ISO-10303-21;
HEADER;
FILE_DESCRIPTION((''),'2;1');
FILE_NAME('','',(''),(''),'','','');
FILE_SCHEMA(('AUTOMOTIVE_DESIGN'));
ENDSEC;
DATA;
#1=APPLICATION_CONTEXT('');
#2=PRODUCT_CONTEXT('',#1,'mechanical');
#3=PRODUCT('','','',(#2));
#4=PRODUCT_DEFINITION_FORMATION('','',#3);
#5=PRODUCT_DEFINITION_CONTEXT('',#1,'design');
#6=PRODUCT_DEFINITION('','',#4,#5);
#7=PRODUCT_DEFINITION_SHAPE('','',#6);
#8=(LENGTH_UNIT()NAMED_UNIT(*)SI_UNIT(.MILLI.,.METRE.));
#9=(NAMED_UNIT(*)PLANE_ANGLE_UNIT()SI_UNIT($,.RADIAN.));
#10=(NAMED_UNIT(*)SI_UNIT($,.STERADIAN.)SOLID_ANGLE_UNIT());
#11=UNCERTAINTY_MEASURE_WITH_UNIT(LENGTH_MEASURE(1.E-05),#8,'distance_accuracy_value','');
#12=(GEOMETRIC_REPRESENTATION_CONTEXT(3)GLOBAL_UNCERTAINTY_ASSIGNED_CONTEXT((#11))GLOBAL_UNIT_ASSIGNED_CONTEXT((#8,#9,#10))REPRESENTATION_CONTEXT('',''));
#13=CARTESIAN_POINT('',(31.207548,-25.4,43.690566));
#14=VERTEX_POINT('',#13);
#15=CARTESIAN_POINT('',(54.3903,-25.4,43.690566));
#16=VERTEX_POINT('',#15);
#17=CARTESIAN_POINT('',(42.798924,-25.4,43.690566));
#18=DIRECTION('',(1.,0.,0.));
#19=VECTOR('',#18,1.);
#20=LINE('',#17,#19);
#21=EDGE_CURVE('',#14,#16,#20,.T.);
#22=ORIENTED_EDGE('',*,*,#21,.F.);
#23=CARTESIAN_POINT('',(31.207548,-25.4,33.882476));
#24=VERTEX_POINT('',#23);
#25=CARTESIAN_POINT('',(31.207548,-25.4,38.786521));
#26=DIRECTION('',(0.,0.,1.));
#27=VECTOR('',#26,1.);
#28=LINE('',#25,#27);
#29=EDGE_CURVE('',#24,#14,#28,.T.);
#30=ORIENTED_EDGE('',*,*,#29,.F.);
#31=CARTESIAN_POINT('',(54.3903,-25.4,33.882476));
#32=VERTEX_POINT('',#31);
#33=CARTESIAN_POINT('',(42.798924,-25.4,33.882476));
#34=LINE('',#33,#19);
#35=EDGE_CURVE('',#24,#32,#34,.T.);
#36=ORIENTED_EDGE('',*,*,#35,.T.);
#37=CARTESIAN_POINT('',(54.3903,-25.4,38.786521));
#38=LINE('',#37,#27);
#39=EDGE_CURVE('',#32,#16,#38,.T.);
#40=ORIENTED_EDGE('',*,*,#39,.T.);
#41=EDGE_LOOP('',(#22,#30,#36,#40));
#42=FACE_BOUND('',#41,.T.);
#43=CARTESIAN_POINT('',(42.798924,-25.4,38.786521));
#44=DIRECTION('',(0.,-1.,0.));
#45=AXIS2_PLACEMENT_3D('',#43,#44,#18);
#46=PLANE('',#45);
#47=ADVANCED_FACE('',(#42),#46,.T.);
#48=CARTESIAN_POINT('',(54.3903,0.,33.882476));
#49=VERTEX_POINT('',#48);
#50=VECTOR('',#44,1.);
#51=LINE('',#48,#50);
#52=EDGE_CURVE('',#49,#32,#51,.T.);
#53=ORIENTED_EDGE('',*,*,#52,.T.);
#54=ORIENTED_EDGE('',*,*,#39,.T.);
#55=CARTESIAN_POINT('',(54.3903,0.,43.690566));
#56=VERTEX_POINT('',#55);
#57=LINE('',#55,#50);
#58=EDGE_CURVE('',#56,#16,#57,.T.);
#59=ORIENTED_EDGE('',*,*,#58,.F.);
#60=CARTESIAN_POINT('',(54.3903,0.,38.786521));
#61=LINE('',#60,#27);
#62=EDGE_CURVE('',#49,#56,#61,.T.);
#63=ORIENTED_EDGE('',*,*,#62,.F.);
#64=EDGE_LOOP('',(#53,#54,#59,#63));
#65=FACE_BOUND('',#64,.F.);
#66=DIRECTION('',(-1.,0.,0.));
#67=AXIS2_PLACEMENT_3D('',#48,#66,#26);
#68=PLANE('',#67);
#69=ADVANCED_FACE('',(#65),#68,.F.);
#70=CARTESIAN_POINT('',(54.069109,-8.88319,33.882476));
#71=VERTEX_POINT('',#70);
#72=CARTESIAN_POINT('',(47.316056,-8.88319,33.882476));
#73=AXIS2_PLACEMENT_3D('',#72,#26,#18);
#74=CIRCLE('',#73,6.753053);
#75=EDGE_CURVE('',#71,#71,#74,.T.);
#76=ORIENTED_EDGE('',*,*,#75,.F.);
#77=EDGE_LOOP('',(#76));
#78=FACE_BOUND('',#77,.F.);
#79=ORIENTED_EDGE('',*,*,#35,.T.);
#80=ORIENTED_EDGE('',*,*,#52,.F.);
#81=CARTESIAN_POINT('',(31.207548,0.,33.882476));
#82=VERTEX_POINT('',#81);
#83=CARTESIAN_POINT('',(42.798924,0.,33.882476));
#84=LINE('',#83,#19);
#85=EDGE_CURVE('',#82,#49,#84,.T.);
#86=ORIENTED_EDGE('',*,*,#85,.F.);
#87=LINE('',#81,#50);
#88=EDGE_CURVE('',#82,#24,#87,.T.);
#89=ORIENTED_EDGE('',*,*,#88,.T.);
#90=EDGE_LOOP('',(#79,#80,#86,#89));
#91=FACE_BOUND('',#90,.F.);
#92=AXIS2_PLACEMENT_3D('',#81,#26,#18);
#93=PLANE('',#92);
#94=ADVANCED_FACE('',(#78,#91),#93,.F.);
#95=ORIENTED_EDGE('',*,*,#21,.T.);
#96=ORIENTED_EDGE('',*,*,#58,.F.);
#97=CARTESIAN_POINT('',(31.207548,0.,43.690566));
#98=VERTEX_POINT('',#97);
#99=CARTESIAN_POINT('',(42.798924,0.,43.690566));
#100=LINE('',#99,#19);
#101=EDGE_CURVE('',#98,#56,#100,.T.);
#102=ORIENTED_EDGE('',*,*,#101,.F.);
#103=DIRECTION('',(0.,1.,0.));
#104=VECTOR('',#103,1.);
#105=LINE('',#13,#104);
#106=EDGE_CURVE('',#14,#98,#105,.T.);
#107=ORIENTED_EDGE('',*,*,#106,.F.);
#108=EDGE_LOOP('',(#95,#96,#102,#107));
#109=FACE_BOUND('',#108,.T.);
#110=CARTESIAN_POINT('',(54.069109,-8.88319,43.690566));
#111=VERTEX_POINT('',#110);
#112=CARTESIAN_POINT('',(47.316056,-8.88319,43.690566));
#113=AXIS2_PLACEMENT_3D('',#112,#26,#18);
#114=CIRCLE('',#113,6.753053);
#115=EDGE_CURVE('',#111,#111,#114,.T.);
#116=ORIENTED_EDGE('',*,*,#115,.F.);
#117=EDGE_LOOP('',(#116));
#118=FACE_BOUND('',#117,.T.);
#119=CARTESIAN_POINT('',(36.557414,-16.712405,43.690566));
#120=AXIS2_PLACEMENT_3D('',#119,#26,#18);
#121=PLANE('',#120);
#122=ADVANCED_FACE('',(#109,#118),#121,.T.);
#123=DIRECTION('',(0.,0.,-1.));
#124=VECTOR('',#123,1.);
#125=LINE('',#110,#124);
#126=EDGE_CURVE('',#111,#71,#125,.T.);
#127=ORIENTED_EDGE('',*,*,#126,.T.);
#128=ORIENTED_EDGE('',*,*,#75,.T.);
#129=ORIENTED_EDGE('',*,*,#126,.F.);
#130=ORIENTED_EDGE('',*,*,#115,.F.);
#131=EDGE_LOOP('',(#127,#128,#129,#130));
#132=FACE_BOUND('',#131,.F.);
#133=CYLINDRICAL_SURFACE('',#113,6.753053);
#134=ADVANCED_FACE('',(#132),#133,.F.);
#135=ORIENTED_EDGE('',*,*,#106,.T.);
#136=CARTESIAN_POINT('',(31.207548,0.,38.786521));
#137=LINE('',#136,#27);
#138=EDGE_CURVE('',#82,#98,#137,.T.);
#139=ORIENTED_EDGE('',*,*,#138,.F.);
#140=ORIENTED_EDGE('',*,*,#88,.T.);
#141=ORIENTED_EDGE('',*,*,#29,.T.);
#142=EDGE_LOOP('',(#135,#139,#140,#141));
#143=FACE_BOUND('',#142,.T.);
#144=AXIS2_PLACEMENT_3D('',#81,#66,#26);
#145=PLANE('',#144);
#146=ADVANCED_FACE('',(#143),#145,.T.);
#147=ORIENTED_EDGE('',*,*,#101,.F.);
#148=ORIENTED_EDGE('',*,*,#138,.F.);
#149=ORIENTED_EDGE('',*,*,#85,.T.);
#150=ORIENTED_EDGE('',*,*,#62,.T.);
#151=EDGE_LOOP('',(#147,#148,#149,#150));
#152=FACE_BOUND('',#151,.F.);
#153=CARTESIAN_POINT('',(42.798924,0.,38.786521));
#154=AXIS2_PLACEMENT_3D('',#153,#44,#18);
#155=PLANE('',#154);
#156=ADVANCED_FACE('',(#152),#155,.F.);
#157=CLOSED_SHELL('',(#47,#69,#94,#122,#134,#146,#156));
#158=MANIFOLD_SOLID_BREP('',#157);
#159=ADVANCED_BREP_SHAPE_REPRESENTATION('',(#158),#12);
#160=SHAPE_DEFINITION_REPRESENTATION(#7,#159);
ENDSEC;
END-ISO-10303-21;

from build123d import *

# Parameters (mm, degrees)
F0_W     = 23.182752
F0_H     = 9.80809
F1_DEPTH = 25.4
F3_DEPTH = 25.4
F4_R     = 6.753053
F5_DEPTH = 25.4


with BuildPart() as f1:
    # F0 (on Front) → F1 (new body)
    with BuildSketch(Plane.XZ):
        with Locations((42.798924, 38.786521)):
            Rectangle(F0_W, F0_H)
    extrude(amount=F1_DEPTH)

    # F2 (on face) → F3 (cut)
    with BuildSketch(Plane.XY.offset(43.690566)):
        with BuildLine():
            ThreePointArc((31.207548, -16.712405), (36.557414, -22.06227), (41.907279, -16.712405))
            ThreePointArc((41.907279, -16.712405), (36.557414, -11.36254), (31.207548, -16.712405))
        make_face()
    extrude(amount=F3_DEPTH, mode=Mode.SUBTRACT)

    # F4 (on face) → F5 (cut)
    with BuildSketch(Plane.XY.offset(43.690566)):
        with Locations((47.316056, -8.88319)):
            Circle(F4_R)
    extrude(amount=-F5_DEPTH, mode=Mode.SUBTRACT)


solid = f1.part
